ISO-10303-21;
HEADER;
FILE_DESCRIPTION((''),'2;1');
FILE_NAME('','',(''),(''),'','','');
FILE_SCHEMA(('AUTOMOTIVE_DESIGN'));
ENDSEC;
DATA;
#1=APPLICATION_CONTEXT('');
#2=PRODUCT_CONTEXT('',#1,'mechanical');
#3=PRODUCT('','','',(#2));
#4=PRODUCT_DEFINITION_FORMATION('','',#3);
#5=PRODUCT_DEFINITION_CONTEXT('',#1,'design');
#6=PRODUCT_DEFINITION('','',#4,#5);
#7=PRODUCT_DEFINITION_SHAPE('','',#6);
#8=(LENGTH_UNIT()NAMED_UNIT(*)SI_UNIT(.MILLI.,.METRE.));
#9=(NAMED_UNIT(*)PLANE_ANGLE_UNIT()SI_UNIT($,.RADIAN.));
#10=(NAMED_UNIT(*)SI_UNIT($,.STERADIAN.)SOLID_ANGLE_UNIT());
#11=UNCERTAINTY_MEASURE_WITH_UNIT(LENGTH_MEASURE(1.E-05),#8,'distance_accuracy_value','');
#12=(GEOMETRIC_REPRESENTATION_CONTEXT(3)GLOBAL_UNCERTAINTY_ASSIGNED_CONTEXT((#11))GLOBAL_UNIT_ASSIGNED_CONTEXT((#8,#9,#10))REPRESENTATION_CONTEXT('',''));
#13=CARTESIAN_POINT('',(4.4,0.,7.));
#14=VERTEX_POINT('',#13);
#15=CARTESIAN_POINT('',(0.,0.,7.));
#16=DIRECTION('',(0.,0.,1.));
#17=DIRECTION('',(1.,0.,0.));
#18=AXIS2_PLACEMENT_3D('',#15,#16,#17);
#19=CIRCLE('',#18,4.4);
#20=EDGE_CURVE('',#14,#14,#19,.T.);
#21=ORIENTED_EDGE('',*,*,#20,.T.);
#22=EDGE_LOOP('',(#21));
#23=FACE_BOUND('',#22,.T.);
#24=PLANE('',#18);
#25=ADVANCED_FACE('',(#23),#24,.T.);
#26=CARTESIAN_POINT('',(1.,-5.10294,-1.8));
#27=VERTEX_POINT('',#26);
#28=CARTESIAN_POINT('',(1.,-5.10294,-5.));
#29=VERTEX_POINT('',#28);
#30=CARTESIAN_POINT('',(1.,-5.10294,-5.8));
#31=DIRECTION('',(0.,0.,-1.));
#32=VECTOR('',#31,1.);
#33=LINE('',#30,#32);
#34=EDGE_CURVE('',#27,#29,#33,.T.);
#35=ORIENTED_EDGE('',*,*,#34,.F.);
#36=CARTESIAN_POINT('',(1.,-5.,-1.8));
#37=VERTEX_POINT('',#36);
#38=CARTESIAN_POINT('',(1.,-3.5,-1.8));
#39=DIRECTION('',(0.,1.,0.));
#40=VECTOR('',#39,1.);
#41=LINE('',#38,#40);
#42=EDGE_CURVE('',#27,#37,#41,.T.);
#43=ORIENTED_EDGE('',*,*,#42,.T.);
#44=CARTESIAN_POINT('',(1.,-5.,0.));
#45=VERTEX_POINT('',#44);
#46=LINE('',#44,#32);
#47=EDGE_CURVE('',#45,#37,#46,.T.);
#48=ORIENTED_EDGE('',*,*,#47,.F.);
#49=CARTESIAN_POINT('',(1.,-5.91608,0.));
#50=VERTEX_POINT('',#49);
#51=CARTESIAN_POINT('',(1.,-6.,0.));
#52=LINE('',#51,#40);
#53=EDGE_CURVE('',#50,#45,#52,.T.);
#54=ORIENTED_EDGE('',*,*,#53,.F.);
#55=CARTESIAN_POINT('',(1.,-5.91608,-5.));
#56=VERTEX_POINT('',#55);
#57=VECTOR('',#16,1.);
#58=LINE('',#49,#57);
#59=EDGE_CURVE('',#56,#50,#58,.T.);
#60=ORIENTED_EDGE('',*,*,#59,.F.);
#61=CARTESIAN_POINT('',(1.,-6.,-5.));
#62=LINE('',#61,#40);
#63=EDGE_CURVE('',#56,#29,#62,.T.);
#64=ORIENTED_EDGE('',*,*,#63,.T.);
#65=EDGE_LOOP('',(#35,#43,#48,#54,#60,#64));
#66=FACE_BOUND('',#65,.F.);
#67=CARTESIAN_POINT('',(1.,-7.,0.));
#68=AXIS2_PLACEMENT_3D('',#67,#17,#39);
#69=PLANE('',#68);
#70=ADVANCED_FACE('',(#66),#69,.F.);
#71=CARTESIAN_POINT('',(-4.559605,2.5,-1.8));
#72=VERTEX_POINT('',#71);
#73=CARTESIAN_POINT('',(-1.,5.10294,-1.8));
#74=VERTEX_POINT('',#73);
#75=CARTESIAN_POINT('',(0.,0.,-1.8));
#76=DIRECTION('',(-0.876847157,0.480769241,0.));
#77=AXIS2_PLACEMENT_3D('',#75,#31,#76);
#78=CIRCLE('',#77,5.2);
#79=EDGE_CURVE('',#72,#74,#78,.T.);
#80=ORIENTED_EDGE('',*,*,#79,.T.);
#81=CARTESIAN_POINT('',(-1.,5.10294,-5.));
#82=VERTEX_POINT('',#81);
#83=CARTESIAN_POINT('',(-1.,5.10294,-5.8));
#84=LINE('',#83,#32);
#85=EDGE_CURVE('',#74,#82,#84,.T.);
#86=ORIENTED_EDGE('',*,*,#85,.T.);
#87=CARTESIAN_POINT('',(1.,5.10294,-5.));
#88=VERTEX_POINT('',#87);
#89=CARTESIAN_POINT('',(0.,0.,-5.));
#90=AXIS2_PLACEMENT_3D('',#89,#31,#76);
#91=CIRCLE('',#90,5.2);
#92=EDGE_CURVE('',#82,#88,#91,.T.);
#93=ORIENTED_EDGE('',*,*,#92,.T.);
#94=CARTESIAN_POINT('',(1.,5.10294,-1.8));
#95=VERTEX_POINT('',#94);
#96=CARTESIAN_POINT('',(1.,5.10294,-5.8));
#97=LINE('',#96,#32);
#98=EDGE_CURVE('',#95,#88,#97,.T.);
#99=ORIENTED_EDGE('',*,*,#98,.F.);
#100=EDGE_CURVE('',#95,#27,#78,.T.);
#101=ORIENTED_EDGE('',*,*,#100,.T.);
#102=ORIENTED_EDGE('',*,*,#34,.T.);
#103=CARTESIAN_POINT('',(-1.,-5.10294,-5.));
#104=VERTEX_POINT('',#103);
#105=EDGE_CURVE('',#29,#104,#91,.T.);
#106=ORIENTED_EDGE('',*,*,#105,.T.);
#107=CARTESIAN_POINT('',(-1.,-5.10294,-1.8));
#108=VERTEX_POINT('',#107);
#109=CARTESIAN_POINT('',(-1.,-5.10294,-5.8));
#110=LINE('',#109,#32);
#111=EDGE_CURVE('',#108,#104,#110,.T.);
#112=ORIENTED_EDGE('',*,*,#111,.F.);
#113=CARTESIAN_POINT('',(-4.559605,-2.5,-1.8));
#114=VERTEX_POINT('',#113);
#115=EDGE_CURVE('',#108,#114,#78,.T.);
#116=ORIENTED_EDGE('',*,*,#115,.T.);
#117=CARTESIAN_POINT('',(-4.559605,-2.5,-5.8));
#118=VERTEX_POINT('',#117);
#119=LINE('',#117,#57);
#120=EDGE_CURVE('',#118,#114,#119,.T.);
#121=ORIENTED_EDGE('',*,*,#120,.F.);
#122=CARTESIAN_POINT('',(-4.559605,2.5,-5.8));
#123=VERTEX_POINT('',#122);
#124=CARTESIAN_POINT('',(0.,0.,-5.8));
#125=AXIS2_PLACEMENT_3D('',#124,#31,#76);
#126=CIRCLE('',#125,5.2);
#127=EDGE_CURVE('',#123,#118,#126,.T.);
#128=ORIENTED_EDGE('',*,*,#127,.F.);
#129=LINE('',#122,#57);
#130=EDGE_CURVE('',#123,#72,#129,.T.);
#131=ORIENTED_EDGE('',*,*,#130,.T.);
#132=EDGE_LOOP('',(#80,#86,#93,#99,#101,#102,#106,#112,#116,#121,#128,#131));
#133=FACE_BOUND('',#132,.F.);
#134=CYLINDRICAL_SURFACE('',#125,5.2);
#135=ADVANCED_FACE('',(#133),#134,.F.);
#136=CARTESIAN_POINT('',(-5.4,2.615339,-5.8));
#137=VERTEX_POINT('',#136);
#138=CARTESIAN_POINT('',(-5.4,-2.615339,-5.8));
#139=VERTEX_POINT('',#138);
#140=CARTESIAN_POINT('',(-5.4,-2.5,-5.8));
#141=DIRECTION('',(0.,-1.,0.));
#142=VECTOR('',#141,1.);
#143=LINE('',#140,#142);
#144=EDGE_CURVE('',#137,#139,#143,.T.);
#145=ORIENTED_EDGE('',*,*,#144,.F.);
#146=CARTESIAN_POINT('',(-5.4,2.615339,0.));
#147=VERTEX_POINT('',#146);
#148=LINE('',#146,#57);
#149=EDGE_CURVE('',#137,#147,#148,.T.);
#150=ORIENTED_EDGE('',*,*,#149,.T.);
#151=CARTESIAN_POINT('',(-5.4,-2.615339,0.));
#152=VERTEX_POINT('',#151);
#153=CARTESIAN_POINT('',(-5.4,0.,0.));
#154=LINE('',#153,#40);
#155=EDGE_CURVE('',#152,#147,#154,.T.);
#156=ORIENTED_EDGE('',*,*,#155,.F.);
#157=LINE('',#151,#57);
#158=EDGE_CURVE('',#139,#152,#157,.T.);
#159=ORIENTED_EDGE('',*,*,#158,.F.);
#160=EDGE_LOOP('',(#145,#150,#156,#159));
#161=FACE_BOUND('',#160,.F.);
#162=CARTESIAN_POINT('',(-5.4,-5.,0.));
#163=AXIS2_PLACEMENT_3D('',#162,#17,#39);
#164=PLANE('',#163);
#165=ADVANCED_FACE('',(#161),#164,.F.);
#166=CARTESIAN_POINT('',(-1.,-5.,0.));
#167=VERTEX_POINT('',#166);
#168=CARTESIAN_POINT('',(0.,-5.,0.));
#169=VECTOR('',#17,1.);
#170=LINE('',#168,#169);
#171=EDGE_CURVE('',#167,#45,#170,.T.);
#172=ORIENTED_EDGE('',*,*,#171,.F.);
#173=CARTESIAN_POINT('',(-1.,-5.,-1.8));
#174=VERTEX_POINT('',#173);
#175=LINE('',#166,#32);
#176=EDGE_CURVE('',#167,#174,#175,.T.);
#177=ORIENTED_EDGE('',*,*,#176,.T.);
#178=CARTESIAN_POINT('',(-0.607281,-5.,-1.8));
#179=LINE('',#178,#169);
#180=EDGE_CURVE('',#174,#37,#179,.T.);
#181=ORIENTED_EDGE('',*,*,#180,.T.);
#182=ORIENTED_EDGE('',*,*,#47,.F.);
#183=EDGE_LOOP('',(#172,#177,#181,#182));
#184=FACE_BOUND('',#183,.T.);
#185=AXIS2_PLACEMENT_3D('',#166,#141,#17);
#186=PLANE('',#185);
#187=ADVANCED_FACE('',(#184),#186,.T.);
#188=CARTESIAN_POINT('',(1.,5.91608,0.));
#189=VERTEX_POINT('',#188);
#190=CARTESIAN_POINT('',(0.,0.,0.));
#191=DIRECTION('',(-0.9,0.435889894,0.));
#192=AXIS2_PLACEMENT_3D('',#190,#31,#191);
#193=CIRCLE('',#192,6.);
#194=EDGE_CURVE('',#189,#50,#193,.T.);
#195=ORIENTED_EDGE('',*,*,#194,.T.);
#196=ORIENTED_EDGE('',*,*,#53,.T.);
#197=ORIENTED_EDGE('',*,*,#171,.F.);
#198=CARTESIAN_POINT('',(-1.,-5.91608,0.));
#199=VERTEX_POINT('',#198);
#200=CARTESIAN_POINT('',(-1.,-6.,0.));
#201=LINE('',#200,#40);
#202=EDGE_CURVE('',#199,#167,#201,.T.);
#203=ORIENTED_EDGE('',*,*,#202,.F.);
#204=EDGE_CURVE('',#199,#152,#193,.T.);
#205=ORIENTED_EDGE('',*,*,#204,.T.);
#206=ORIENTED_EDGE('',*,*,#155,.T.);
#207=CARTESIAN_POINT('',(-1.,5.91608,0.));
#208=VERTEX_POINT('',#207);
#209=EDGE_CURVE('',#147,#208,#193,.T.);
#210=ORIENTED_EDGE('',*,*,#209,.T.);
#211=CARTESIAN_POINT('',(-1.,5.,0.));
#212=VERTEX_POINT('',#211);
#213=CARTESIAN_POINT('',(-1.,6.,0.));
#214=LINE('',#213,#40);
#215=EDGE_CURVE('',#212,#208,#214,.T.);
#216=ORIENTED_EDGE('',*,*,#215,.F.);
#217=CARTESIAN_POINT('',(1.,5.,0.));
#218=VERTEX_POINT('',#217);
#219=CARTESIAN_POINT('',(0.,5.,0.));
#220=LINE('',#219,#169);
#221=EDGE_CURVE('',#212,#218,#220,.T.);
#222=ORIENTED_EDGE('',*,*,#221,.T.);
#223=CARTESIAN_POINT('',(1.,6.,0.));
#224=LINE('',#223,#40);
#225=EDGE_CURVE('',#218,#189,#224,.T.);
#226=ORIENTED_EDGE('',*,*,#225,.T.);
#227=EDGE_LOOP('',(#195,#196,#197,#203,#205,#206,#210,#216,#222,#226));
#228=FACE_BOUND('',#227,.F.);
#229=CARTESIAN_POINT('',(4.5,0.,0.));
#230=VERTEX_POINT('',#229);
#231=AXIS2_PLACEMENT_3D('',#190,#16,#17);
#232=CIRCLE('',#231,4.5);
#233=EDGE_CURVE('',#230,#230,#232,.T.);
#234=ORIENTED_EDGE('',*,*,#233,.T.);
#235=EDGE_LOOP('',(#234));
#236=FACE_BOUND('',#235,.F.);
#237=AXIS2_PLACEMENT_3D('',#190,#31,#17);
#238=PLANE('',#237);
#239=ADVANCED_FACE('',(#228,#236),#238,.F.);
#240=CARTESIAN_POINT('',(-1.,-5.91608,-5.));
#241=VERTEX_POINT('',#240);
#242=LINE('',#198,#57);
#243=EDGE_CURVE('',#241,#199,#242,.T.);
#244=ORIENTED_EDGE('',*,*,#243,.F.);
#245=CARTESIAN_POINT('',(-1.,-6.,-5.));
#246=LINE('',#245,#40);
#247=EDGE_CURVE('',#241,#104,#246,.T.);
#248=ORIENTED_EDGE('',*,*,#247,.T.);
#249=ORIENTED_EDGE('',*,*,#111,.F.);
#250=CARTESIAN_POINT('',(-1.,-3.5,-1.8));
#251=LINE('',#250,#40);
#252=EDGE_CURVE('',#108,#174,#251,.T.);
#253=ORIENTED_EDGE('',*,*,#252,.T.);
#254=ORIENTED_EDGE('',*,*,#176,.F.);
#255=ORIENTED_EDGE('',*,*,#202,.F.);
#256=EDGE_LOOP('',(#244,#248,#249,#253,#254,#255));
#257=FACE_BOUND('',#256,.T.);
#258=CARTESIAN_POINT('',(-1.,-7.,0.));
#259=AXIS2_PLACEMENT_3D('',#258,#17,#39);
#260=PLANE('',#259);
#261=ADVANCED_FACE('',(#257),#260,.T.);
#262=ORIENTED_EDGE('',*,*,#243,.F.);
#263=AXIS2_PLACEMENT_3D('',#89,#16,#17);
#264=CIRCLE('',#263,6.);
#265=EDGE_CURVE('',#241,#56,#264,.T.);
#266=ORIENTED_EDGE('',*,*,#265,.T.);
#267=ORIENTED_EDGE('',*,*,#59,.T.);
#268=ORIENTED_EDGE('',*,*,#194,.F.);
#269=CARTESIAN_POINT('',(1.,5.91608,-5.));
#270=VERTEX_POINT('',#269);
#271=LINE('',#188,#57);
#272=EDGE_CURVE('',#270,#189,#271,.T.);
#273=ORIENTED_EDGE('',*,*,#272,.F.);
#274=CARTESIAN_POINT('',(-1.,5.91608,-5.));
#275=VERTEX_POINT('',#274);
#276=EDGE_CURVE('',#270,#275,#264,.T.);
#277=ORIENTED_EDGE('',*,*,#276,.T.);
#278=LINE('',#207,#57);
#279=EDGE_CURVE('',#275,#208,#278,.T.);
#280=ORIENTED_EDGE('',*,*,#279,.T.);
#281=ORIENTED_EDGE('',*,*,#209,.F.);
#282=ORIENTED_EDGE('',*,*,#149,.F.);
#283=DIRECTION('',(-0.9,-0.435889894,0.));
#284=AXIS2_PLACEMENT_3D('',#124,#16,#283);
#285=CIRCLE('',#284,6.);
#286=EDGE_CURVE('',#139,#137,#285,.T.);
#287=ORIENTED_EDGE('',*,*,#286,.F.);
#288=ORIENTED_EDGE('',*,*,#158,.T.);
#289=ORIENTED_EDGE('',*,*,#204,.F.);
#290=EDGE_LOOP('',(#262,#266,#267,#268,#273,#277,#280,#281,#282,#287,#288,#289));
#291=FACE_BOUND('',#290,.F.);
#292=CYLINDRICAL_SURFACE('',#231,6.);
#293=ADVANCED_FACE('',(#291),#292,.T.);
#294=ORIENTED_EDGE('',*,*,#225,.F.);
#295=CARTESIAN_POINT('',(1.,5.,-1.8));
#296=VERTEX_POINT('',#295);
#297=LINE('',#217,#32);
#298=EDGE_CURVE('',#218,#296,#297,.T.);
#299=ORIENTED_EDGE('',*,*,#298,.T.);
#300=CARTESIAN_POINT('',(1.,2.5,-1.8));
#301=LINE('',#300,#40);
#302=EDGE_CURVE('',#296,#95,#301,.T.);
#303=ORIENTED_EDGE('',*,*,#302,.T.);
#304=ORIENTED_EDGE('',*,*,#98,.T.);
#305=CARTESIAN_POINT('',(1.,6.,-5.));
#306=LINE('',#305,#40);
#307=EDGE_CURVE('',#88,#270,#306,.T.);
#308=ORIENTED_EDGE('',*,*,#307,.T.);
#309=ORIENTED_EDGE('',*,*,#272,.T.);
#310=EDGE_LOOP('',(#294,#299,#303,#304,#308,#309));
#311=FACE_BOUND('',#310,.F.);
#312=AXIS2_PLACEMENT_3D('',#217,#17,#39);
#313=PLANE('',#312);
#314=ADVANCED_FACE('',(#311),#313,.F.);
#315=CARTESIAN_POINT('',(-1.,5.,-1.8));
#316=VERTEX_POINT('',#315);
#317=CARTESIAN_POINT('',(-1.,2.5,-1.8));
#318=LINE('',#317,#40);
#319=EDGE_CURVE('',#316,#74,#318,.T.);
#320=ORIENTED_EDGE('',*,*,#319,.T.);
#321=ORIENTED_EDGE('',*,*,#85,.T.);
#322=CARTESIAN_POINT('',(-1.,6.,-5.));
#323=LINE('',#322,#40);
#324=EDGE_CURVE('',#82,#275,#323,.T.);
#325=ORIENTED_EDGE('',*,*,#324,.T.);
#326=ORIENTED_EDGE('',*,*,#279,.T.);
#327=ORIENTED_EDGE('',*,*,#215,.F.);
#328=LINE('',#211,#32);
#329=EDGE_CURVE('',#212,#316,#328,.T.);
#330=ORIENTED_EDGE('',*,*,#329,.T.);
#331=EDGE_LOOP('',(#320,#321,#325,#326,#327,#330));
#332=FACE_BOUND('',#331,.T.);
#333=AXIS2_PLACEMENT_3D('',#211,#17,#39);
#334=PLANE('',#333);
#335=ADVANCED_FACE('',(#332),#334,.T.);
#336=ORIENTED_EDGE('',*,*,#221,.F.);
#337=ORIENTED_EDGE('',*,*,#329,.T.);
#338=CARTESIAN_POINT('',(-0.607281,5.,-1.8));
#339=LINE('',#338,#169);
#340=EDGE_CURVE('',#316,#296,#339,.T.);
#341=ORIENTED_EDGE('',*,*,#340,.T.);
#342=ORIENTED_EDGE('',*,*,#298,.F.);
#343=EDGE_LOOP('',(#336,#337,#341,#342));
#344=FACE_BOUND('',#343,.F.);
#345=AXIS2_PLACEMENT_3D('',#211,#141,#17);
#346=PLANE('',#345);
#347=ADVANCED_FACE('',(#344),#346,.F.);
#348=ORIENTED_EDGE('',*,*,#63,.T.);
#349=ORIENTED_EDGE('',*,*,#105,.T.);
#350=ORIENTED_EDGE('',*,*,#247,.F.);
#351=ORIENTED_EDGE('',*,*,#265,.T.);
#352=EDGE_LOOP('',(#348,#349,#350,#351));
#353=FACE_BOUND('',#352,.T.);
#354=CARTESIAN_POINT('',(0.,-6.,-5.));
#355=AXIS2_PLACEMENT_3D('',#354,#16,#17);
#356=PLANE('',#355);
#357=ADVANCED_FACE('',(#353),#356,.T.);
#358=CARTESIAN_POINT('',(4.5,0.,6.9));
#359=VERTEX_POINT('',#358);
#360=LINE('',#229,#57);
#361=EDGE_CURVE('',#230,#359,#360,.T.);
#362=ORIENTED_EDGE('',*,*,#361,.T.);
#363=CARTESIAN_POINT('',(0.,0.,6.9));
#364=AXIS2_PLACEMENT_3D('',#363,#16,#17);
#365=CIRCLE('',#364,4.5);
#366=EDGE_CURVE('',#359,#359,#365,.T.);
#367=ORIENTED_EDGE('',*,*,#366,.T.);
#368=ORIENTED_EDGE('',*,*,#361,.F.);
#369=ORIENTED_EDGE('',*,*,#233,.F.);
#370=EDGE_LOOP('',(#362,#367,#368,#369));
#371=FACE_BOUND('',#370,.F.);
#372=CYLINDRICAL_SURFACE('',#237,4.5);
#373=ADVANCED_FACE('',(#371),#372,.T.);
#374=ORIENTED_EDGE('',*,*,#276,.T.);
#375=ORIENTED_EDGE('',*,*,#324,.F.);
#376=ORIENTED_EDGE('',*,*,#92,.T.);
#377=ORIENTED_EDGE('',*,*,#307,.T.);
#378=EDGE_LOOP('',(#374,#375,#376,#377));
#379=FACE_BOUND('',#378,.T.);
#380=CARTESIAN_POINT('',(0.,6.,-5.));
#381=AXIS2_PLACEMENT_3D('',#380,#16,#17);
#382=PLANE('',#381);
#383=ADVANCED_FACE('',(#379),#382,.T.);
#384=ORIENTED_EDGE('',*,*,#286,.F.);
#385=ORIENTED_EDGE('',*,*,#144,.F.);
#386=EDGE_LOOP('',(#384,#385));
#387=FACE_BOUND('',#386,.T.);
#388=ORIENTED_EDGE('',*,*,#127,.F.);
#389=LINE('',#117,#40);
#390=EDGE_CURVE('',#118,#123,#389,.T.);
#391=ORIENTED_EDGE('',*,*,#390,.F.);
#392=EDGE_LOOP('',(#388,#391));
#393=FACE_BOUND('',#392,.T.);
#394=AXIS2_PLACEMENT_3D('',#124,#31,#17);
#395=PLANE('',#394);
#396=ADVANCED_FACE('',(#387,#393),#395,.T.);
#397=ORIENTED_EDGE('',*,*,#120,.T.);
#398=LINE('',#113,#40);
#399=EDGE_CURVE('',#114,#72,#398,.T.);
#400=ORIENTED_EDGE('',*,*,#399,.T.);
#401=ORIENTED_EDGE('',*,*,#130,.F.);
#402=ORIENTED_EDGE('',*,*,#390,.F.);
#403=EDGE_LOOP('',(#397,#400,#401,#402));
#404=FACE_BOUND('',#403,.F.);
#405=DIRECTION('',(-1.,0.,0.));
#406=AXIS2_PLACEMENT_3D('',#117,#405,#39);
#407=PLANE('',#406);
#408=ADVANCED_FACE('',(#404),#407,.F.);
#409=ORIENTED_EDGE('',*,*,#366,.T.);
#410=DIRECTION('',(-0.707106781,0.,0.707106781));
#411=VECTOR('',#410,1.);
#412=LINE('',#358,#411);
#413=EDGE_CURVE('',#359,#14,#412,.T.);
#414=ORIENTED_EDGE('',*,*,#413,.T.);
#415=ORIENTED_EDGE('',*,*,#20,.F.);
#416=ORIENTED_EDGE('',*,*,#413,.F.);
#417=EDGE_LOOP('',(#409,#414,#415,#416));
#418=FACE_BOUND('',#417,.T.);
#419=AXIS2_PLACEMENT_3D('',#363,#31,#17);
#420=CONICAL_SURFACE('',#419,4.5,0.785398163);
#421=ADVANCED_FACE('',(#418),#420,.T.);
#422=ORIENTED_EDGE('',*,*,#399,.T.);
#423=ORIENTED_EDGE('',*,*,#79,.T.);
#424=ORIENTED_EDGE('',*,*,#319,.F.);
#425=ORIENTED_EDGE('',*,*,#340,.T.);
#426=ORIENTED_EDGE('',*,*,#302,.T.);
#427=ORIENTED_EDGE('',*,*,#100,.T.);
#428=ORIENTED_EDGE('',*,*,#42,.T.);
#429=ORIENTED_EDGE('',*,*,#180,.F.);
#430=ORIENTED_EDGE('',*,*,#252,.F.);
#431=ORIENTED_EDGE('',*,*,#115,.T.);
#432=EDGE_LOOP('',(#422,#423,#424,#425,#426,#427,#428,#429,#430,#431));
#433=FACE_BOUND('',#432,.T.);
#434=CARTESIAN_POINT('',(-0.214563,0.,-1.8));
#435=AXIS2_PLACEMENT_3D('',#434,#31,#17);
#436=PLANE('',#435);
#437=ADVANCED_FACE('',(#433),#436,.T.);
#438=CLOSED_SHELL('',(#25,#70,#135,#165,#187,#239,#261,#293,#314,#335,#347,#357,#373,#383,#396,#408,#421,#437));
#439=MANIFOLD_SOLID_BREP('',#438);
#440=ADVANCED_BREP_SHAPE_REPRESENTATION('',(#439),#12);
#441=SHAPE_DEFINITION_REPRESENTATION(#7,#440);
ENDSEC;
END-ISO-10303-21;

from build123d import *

# Parameters (mm, degrees)
SKETCH_R        = 4.5
PAD_DEPTH       = 7
SKETCH001_R     = 6
PAD001_DEPTH    = 5.8
SKETCH002_W     = 2
SKETCH002_H     = 10
POCKET_DEPTH    = 7
CHAMFER_SIZE    = 0.1
SKETCH003_W     = 2
SKETCH003_H     = 2
POCKET001_DEPTH = 5
POCKET002_DEPTH = 4


with BuildPart() as part:
    # Sketch → Pad (new body)
    with BuildSketch(Plane.XY):
        Circle(SKETCH_R)
    extrude(amount=PAD_DEPTH)

    # Sketch001 (on Face2 of Pad) → Pad001 (join)
    with BuildSketch(Plane(origin=(0, 0, 0), x_dir=(1, 0, 0), z_dir=(0, 0, -1))):
        Circle(SKETCH001_R)
    extrude(amount=PAD001_DEPTH)

    # Sketch002 (on Face2 of Pad001) → Pocket (cut)
    with BuildSketch(Plane.XY):
        with Locations((-6.4, 0)):
            Rectangle(SKETCH002_W, SKETCH002_H)
    extrude(amount=-POCKET_DEPTH, mode=Mode.SUBTRACT)

    # Chamfer
    chamfer_edges = [part.edges().sort_by_distance(p)[0] for p in [
        (-4.5, 0, 7),
    ]]
    chamfer(chamfer_edges, length=CHAMFER_SIZE)

    # Sketch003 (on Face3 of Chamfer) → Pocket001 (cut)
    with BuildSketch(Plane.XY):
        with Locations((0, 6)):
            Rectangle(SKETCH003_W, SKETCH003_H)
        with Locations((0, -6)):
            Rectangle(SKETCH003_W, SKETCH003_H)
    extrude(amount=-POCKET001_DEPTH, mode=Mode.SUBTRACT)

    # Sketch004 (on Face14 of Pocket001) → Pocket002 (cut)
    with BuildSketch(Plane(origin=(0, 0, -5.8), x_dir=(1, 0, 0), z_dir=(0, 0, -1))):
        with BuildLine():
            ThreePointArc((-4.559605, -2.5), (5.2, 0), (-4.559605, 2.5))
            Line((-4.559605, 2.5), (-4.559605, -2.5))
        make_face()
    extrude(amount=-POCKET002_DEPTH, mode=Mode.SUBTRACT)


solid = part.part
